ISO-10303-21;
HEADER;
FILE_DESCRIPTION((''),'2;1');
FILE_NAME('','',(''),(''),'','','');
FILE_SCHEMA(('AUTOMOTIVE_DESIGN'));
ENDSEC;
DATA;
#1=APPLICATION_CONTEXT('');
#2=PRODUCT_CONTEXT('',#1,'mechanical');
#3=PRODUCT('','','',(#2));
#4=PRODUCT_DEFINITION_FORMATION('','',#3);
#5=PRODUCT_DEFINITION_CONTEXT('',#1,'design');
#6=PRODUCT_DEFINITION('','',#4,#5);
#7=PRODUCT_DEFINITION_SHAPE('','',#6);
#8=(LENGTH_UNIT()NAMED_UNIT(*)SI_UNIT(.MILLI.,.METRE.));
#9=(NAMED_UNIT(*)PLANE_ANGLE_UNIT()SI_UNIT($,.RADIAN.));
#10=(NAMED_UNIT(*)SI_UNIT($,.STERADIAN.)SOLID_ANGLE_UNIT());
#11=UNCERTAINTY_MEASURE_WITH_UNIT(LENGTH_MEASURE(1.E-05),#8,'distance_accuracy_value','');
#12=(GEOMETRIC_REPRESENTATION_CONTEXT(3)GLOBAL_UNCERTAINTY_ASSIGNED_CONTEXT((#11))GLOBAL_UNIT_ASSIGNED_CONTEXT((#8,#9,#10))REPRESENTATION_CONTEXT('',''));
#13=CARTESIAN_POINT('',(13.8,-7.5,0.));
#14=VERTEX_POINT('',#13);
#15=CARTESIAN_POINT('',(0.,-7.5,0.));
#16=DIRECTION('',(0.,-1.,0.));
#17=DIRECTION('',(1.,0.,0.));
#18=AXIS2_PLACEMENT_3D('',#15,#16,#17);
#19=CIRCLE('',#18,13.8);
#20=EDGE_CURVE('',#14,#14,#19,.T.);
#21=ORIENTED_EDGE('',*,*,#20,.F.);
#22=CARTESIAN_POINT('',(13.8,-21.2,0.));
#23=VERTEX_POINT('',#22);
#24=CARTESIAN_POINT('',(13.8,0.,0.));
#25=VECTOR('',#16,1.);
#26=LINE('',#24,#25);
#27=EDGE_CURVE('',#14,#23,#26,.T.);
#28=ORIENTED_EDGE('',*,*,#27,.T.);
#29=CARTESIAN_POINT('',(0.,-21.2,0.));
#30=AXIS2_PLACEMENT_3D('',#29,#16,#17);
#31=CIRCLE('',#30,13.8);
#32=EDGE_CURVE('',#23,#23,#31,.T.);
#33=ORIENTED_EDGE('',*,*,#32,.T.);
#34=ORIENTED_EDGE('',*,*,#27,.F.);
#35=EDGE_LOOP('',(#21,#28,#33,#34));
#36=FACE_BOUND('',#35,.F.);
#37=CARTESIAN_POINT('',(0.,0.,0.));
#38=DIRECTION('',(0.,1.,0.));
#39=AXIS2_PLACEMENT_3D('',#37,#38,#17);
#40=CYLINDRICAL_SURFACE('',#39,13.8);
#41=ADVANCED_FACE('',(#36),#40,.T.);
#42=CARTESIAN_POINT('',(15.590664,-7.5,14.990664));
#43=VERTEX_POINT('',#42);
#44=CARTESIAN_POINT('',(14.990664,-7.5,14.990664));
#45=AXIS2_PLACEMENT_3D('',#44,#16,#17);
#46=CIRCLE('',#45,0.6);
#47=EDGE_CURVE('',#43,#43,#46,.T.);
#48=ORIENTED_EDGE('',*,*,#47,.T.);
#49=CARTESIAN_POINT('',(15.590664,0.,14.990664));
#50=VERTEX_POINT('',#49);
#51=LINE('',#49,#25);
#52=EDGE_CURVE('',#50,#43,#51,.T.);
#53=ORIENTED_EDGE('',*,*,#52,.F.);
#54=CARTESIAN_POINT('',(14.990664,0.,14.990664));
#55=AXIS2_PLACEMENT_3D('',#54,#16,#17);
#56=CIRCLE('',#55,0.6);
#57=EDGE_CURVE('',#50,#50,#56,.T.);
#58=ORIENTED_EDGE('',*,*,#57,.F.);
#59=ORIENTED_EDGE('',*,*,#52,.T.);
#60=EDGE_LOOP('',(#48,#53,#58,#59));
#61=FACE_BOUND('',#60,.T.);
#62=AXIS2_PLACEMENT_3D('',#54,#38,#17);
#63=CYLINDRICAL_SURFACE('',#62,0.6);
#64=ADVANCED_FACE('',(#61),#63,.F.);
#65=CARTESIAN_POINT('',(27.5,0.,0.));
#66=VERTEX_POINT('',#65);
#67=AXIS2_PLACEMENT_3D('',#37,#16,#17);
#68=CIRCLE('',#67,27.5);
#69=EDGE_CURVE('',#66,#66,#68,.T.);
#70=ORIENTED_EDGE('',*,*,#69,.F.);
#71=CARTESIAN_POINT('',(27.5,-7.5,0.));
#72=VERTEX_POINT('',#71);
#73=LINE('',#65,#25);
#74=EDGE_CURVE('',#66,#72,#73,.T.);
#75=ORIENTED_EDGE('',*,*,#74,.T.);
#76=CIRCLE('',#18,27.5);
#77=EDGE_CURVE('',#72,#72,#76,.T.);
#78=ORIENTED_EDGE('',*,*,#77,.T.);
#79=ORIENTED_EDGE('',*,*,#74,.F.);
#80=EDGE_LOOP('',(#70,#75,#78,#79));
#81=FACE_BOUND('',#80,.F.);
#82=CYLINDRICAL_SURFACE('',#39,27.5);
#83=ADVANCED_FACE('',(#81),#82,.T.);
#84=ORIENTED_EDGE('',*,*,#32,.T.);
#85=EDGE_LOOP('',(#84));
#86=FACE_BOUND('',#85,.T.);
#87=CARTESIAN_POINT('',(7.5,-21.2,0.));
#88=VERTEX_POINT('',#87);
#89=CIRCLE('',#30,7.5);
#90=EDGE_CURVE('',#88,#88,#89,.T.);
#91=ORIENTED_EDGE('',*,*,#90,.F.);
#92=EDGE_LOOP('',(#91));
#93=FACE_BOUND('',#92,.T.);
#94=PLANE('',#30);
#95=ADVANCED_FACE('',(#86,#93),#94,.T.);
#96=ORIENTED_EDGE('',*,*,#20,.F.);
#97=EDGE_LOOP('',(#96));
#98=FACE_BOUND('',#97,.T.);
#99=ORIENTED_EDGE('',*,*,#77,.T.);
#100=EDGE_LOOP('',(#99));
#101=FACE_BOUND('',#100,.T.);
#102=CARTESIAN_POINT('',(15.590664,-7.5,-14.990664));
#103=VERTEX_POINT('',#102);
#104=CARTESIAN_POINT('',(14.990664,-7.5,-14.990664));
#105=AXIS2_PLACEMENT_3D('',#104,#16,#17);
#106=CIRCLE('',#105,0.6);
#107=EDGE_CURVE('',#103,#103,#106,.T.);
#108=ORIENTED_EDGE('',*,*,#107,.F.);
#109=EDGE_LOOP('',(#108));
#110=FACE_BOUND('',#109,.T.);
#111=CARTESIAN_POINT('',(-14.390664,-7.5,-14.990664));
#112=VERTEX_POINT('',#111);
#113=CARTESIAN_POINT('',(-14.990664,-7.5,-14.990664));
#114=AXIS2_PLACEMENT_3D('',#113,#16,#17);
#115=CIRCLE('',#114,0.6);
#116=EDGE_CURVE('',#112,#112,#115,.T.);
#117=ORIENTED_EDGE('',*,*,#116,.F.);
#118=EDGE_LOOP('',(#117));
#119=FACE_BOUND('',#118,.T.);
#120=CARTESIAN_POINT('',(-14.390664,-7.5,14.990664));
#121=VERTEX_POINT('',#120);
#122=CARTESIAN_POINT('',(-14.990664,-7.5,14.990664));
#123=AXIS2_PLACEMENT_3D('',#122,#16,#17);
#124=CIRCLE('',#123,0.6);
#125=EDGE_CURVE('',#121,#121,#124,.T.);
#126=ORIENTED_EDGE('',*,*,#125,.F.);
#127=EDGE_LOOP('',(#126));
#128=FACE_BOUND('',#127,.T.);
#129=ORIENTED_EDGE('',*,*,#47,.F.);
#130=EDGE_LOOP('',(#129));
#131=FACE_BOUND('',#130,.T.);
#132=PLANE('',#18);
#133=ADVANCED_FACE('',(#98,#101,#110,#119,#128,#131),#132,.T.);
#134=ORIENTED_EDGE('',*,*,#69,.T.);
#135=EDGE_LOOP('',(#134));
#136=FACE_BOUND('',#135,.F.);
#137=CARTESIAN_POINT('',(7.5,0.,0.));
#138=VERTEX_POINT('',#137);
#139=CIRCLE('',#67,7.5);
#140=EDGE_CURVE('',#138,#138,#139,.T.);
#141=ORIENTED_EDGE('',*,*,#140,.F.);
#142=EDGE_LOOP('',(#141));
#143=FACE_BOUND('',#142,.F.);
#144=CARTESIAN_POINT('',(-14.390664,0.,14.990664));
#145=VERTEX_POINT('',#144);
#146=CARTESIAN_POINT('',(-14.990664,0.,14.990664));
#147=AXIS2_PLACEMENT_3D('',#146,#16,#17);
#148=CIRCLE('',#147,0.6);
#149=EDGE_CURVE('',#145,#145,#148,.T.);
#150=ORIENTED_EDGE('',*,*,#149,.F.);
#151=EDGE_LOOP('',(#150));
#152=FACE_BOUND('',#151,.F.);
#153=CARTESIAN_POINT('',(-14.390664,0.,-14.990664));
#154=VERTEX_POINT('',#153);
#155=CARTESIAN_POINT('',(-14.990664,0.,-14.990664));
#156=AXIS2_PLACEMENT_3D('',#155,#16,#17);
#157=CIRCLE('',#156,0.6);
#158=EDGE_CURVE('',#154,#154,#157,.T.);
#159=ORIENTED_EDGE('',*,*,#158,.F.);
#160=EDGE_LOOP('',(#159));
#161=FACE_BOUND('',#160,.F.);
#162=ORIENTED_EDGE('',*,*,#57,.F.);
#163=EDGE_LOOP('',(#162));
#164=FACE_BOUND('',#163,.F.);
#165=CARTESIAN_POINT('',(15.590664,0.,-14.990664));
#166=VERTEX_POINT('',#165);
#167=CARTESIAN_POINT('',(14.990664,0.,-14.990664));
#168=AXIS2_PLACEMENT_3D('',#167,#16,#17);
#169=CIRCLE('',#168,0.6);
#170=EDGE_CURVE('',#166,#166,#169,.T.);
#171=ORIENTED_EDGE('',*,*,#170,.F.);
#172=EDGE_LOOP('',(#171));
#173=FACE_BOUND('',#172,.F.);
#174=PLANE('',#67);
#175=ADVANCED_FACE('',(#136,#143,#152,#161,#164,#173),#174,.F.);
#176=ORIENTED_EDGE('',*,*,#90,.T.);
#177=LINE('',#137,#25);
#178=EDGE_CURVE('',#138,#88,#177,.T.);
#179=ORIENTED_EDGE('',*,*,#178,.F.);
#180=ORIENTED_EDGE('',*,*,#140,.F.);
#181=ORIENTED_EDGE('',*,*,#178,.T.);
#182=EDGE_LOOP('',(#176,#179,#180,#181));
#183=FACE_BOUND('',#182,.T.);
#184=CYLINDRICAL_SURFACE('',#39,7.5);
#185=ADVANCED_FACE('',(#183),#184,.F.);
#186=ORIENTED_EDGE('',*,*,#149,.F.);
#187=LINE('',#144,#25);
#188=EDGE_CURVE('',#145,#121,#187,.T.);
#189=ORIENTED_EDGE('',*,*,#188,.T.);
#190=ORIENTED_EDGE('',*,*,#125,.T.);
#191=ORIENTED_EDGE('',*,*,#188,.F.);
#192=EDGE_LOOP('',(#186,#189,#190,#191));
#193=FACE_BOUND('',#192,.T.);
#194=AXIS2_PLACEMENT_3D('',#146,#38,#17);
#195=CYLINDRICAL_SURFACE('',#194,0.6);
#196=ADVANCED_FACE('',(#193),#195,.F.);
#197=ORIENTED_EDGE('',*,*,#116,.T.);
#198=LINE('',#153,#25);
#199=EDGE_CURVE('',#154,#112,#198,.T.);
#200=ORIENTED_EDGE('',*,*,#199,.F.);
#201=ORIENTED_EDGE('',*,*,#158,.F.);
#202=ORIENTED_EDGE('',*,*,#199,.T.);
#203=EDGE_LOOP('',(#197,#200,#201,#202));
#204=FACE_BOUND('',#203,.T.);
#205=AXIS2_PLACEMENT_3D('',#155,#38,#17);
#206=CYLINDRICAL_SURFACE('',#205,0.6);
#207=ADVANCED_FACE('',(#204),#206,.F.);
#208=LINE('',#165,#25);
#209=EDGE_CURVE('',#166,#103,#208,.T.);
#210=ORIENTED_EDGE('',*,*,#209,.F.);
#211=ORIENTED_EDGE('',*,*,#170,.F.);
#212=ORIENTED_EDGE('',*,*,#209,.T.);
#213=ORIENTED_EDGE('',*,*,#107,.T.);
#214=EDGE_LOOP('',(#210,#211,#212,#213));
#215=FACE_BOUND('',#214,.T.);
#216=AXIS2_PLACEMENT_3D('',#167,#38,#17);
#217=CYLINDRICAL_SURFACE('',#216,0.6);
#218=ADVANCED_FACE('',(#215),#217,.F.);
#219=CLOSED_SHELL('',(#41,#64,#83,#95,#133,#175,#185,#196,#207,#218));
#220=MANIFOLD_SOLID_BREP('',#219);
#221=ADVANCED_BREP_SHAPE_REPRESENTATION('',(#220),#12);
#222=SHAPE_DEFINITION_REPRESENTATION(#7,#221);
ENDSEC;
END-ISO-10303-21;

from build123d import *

# Parameters (mm, degrees)
F0_R     = 27.5
F0_R_2   = 0.6
F0_R_3   = 13.8
F1_DEPTH = 7.5
F0_R_4   = 7.5
F2_DEPTH = 21.2


with BuildPart() as f1:
    # F0 (on Front) → F1 (new body)
    with BuildSketch(Plane.XZ):
        Circle(F0_R)
        with Locations((-14.990664, -14.990664)):
            Circle(F0_R_2, mode=Mode.SUBTRACT)
        with Locations((14.990664, -14.990664)):
            Circle(F0_R_2, mode=Mode.SUBTRACT)
        with Locations((-14.990664, 14.990664)):
            Circle(F0_R_2, mode=Mode.SUBTRACT)
        Circle(F0_R_3, mode=Mode.SUBTRACT)
        with Locations((14.990664, 14.990664)):
            Circle(F0_R_2, mode=Mode.SUBTRACT)
    extrude(amount=F1_DEPTH)

    # F0 (on Front) → F2 (join)
    with BuildSketch(Plane.XZ):
        Circle(F0_R_3)
        Circle(F0_R_4, mode=Mode.SUBTRACT)
    extrude(amount=F2_DEPTH)


solid = f1.part
